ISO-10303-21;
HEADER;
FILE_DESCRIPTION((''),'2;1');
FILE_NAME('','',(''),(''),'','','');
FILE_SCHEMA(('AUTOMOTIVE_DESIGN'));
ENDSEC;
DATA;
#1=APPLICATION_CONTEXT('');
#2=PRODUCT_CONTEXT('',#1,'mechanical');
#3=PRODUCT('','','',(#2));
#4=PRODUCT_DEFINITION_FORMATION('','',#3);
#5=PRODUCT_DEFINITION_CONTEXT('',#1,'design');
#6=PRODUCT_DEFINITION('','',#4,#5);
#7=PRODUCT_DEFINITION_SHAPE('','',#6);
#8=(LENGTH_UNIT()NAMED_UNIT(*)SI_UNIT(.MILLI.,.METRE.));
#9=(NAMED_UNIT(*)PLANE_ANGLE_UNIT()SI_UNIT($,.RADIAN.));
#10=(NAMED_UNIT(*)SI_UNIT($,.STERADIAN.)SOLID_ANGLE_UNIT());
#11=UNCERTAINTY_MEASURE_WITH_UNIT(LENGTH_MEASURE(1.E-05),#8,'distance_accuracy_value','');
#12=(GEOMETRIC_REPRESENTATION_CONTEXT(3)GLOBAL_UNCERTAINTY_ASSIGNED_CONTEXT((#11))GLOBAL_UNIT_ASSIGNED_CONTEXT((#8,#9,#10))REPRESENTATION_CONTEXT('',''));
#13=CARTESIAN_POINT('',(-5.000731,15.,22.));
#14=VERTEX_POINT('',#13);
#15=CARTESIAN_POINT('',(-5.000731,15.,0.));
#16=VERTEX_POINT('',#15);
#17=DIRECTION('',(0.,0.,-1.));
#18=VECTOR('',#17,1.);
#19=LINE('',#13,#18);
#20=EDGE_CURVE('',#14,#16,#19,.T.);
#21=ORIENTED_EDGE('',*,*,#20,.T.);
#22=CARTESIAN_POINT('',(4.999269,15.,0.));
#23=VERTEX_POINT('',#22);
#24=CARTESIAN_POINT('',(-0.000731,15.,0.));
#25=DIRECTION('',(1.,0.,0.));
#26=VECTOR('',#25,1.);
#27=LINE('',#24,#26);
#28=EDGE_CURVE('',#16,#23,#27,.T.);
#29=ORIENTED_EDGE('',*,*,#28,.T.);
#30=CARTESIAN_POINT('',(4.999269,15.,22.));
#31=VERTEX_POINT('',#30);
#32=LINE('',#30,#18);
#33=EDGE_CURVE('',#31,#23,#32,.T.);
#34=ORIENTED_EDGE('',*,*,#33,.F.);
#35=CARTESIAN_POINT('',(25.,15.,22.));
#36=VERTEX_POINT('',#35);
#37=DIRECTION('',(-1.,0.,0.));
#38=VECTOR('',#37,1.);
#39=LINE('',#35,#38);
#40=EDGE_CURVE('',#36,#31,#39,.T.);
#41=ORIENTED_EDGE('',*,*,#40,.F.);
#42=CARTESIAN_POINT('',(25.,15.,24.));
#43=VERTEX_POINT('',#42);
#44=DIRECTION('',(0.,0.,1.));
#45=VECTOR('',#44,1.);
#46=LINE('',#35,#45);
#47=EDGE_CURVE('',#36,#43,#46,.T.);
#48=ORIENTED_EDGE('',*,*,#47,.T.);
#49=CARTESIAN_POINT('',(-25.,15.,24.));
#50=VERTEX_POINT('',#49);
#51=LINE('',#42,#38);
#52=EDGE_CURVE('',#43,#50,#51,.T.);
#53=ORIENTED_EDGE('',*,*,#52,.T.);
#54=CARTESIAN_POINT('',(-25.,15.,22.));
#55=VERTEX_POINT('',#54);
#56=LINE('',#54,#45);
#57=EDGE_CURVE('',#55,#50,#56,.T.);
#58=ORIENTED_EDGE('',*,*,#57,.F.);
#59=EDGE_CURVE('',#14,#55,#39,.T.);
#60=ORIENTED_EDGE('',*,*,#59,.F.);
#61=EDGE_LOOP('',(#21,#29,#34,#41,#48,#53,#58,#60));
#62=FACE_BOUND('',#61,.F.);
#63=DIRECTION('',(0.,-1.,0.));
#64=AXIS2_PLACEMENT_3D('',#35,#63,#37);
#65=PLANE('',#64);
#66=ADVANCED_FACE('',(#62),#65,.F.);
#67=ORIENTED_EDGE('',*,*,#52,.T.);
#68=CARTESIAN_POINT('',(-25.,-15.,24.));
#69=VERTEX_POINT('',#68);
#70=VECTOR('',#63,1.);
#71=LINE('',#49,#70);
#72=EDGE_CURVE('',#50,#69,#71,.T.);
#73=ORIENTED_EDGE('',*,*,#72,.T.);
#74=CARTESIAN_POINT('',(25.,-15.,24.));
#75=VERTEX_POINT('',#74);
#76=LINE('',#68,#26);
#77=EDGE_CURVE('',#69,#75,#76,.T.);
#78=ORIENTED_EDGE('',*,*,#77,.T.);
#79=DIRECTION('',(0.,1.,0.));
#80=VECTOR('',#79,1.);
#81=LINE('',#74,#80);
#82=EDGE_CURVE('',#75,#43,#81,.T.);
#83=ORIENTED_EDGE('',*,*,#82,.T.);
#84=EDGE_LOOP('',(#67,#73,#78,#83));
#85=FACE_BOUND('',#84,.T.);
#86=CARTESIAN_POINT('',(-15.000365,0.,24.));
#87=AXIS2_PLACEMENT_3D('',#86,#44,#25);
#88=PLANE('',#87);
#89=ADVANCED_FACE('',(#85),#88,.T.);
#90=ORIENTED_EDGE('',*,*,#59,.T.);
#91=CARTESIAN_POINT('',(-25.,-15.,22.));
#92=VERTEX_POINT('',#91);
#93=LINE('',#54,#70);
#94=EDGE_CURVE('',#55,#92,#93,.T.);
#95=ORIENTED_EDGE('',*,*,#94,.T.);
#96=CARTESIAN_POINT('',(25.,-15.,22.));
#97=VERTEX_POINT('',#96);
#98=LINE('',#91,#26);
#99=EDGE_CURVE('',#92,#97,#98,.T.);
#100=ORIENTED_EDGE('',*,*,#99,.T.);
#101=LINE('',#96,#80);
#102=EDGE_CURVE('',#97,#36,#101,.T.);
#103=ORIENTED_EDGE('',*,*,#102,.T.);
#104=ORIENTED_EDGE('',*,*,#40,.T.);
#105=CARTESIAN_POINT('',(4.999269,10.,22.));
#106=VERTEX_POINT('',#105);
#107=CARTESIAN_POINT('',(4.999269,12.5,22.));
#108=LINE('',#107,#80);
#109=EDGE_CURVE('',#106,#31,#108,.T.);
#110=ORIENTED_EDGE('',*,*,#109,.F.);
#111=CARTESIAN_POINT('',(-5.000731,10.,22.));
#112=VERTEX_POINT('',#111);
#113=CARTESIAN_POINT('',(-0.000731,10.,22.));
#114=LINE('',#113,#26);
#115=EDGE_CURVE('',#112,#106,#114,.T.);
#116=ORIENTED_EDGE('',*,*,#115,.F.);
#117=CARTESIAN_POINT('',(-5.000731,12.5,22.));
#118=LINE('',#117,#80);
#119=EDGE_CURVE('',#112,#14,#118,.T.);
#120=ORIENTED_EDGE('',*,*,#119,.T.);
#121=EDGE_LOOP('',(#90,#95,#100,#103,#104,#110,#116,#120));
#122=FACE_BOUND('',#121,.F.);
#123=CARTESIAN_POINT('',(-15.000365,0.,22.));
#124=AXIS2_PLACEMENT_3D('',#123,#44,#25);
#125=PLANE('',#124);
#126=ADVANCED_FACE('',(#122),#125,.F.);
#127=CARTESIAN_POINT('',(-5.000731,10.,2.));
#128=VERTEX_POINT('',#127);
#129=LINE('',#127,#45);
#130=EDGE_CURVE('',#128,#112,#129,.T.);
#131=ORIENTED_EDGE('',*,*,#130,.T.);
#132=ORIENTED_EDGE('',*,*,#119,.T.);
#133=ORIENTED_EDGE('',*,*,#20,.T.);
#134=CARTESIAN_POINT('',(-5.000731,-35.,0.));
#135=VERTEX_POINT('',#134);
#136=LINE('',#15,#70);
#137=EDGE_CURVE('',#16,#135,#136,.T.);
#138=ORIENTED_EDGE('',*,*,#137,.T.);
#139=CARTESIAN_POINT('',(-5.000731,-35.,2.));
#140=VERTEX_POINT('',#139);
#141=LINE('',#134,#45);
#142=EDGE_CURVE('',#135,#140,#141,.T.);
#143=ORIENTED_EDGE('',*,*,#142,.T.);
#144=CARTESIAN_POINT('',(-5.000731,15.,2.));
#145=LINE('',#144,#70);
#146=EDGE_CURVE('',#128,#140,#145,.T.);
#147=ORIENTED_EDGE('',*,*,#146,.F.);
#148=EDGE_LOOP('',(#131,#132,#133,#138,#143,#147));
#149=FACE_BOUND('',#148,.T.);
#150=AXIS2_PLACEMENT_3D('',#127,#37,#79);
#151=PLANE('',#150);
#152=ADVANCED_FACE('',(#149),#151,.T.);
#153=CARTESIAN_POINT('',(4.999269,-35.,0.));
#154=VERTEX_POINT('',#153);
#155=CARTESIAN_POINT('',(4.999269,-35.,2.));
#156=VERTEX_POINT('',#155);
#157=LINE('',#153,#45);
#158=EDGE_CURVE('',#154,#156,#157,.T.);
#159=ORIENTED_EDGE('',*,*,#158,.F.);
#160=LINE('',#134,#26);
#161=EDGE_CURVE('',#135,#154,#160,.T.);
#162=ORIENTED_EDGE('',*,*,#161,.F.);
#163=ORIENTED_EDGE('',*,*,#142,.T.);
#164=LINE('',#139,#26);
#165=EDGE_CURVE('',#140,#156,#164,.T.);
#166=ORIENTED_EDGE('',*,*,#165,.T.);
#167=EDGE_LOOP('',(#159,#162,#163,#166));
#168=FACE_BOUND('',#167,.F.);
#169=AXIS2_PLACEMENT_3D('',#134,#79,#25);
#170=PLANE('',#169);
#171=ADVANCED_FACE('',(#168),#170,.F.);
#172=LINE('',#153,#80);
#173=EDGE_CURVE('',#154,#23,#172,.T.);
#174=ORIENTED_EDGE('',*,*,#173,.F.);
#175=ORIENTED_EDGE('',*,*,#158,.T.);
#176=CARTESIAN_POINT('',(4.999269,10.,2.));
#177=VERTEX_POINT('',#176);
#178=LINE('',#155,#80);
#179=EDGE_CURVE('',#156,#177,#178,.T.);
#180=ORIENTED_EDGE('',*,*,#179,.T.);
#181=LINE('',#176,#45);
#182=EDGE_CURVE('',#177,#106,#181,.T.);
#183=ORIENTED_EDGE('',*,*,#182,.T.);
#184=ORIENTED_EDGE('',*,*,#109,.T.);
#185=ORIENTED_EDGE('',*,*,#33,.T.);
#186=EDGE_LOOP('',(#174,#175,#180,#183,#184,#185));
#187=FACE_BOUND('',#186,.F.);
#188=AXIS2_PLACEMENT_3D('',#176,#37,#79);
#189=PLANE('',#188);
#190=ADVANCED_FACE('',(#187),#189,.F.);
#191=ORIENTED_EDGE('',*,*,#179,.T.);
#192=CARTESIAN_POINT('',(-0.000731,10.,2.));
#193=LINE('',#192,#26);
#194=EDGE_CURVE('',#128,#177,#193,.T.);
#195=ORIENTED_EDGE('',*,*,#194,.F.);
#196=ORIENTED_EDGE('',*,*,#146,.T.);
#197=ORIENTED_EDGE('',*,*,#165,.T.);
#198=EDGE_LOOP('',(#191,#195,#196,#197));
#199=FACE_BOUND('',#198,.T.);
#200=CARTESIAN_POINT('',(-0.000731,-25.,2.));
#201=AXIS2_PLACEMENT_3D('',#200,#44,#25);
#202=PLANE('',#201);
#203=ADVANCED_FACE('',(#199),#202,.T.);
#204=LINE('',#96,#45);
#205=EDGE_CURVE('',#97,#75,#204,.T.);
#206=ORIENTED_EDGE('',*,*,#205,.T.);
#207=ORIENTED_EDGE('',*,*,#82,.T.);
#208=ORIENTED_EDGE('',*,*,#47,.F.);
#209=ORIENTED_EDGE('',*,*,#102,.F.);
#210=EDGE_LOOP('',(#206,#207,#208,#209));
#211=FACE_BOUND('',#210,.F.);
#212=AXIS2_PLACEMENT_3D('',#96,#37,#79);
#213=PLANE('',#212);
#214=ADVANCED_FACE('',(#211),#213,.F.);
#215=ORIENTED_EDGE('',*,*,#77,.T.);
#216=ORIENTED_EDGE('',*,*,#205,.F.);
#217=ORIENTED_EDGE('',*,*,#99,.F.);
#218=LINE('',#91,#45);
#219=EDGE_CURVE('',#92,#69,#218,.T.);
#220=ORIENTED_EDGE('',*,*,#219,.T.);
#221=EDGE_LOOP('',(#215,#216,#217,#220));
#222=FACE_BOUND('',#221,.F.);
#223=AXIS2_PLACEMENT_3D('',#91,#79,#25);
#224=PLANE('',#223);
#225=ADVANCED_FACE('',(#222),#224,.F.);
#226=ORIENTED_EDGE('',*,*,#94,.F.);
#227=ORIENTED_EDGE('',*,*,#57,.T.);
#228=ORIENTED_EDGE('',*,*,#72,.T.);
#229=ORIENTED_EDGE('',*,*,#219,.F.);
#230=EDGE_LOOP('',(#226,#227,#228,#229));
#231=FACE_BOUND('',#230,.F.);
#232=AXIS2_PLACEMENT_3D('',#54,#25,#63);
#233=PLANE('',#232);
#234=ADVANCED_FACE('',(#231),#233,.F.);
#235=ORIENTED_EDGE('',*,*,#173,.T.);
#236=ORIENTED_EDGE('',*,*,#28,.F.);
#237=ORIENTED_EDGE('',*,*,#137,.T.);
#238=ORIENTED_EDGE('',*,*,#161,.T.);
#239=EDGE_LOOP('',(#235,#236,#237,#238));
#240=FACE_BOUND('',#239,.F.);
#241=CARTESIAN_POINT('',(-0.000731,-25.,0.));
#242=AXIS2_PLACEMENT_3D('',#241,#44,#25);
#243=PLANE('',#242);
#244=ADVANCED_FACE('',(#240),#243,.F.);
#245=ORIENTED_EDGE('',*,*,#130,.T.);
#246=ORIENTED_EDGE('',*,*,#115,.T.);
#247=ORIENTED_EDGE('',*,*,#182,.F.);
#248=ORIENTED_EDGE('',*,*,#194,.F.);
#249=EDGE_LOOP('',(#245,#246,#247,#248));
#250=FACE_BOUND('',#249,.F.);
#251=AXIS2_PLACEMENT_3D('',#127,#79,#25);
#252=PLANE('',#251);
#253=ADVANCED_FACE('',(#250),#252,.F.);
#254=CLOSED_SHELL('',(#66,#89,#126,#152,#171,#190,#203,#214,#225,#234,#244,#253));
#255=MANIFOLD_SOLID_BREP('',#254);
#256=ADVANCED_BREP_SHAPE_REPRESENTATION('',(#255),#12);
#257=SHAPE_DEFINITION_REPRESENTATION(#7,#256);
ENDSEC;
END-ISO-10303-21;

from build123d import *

# Parameters (mm, degrees)
F0_W     = 10
F0_H     = 5
F1_DEPTH = 2
F2_W     = 10
F2_H     = 5
F3_DEPTH = 20
F4_W     = 10
F4_H     = 5
F5_DEPTH = 2


with BuildPart() as f1:
    # F0 (on Top) → F1 (new body)
    with BuildSketch(Plane.XY):
        Polygon((4.999269, -35), (4.999269, -15), (-4.999269, -15), (-5.000731, -15), (-5.000731, -35), align=None)
        Polygon((-4.999269, -15), (4.999269, -15), (4.999269, 10), (-5.000731, 10), (-5.000731, -15), align=None)
        with Locations((-0.000731, 12.5)):
            Rectangle(F0_W, F0_H)
    extrude(amount=F1_DEPTH)

    # F2 (on face) → F3 (join)
    with BuildSketch(Plane.XY.offset(2)):
        with Locations((-0.000731, 12.5)):
            Rectangle(F2_W, F2_H)
    extrude(amount=F3_DEPTH)

    # F4 (on face) → F5 (join)
    with BuildSketch(Plane.XY.offset(22)):
        Polygon((-5.000731, 10), (-5.000731, 15), (-25, 15), (-25, -15), (-5.000731, -15), align=None)
        Polygon((4.999269, -15), (4.999269, 10), (-5.000731, 10), (-5.000731, -15), (-4.999269, -15), align=None)
        with Locations((-0.000731, 12.5)):
            Rectangle(F4_W, F4_H)
        Polygon((25, -15), (25, 15), (4.999269, 15), (4.999269, 10), (4.999269, -15), align=None)
    extrude(amount=F5_DEPTH)


solid = f1.part
